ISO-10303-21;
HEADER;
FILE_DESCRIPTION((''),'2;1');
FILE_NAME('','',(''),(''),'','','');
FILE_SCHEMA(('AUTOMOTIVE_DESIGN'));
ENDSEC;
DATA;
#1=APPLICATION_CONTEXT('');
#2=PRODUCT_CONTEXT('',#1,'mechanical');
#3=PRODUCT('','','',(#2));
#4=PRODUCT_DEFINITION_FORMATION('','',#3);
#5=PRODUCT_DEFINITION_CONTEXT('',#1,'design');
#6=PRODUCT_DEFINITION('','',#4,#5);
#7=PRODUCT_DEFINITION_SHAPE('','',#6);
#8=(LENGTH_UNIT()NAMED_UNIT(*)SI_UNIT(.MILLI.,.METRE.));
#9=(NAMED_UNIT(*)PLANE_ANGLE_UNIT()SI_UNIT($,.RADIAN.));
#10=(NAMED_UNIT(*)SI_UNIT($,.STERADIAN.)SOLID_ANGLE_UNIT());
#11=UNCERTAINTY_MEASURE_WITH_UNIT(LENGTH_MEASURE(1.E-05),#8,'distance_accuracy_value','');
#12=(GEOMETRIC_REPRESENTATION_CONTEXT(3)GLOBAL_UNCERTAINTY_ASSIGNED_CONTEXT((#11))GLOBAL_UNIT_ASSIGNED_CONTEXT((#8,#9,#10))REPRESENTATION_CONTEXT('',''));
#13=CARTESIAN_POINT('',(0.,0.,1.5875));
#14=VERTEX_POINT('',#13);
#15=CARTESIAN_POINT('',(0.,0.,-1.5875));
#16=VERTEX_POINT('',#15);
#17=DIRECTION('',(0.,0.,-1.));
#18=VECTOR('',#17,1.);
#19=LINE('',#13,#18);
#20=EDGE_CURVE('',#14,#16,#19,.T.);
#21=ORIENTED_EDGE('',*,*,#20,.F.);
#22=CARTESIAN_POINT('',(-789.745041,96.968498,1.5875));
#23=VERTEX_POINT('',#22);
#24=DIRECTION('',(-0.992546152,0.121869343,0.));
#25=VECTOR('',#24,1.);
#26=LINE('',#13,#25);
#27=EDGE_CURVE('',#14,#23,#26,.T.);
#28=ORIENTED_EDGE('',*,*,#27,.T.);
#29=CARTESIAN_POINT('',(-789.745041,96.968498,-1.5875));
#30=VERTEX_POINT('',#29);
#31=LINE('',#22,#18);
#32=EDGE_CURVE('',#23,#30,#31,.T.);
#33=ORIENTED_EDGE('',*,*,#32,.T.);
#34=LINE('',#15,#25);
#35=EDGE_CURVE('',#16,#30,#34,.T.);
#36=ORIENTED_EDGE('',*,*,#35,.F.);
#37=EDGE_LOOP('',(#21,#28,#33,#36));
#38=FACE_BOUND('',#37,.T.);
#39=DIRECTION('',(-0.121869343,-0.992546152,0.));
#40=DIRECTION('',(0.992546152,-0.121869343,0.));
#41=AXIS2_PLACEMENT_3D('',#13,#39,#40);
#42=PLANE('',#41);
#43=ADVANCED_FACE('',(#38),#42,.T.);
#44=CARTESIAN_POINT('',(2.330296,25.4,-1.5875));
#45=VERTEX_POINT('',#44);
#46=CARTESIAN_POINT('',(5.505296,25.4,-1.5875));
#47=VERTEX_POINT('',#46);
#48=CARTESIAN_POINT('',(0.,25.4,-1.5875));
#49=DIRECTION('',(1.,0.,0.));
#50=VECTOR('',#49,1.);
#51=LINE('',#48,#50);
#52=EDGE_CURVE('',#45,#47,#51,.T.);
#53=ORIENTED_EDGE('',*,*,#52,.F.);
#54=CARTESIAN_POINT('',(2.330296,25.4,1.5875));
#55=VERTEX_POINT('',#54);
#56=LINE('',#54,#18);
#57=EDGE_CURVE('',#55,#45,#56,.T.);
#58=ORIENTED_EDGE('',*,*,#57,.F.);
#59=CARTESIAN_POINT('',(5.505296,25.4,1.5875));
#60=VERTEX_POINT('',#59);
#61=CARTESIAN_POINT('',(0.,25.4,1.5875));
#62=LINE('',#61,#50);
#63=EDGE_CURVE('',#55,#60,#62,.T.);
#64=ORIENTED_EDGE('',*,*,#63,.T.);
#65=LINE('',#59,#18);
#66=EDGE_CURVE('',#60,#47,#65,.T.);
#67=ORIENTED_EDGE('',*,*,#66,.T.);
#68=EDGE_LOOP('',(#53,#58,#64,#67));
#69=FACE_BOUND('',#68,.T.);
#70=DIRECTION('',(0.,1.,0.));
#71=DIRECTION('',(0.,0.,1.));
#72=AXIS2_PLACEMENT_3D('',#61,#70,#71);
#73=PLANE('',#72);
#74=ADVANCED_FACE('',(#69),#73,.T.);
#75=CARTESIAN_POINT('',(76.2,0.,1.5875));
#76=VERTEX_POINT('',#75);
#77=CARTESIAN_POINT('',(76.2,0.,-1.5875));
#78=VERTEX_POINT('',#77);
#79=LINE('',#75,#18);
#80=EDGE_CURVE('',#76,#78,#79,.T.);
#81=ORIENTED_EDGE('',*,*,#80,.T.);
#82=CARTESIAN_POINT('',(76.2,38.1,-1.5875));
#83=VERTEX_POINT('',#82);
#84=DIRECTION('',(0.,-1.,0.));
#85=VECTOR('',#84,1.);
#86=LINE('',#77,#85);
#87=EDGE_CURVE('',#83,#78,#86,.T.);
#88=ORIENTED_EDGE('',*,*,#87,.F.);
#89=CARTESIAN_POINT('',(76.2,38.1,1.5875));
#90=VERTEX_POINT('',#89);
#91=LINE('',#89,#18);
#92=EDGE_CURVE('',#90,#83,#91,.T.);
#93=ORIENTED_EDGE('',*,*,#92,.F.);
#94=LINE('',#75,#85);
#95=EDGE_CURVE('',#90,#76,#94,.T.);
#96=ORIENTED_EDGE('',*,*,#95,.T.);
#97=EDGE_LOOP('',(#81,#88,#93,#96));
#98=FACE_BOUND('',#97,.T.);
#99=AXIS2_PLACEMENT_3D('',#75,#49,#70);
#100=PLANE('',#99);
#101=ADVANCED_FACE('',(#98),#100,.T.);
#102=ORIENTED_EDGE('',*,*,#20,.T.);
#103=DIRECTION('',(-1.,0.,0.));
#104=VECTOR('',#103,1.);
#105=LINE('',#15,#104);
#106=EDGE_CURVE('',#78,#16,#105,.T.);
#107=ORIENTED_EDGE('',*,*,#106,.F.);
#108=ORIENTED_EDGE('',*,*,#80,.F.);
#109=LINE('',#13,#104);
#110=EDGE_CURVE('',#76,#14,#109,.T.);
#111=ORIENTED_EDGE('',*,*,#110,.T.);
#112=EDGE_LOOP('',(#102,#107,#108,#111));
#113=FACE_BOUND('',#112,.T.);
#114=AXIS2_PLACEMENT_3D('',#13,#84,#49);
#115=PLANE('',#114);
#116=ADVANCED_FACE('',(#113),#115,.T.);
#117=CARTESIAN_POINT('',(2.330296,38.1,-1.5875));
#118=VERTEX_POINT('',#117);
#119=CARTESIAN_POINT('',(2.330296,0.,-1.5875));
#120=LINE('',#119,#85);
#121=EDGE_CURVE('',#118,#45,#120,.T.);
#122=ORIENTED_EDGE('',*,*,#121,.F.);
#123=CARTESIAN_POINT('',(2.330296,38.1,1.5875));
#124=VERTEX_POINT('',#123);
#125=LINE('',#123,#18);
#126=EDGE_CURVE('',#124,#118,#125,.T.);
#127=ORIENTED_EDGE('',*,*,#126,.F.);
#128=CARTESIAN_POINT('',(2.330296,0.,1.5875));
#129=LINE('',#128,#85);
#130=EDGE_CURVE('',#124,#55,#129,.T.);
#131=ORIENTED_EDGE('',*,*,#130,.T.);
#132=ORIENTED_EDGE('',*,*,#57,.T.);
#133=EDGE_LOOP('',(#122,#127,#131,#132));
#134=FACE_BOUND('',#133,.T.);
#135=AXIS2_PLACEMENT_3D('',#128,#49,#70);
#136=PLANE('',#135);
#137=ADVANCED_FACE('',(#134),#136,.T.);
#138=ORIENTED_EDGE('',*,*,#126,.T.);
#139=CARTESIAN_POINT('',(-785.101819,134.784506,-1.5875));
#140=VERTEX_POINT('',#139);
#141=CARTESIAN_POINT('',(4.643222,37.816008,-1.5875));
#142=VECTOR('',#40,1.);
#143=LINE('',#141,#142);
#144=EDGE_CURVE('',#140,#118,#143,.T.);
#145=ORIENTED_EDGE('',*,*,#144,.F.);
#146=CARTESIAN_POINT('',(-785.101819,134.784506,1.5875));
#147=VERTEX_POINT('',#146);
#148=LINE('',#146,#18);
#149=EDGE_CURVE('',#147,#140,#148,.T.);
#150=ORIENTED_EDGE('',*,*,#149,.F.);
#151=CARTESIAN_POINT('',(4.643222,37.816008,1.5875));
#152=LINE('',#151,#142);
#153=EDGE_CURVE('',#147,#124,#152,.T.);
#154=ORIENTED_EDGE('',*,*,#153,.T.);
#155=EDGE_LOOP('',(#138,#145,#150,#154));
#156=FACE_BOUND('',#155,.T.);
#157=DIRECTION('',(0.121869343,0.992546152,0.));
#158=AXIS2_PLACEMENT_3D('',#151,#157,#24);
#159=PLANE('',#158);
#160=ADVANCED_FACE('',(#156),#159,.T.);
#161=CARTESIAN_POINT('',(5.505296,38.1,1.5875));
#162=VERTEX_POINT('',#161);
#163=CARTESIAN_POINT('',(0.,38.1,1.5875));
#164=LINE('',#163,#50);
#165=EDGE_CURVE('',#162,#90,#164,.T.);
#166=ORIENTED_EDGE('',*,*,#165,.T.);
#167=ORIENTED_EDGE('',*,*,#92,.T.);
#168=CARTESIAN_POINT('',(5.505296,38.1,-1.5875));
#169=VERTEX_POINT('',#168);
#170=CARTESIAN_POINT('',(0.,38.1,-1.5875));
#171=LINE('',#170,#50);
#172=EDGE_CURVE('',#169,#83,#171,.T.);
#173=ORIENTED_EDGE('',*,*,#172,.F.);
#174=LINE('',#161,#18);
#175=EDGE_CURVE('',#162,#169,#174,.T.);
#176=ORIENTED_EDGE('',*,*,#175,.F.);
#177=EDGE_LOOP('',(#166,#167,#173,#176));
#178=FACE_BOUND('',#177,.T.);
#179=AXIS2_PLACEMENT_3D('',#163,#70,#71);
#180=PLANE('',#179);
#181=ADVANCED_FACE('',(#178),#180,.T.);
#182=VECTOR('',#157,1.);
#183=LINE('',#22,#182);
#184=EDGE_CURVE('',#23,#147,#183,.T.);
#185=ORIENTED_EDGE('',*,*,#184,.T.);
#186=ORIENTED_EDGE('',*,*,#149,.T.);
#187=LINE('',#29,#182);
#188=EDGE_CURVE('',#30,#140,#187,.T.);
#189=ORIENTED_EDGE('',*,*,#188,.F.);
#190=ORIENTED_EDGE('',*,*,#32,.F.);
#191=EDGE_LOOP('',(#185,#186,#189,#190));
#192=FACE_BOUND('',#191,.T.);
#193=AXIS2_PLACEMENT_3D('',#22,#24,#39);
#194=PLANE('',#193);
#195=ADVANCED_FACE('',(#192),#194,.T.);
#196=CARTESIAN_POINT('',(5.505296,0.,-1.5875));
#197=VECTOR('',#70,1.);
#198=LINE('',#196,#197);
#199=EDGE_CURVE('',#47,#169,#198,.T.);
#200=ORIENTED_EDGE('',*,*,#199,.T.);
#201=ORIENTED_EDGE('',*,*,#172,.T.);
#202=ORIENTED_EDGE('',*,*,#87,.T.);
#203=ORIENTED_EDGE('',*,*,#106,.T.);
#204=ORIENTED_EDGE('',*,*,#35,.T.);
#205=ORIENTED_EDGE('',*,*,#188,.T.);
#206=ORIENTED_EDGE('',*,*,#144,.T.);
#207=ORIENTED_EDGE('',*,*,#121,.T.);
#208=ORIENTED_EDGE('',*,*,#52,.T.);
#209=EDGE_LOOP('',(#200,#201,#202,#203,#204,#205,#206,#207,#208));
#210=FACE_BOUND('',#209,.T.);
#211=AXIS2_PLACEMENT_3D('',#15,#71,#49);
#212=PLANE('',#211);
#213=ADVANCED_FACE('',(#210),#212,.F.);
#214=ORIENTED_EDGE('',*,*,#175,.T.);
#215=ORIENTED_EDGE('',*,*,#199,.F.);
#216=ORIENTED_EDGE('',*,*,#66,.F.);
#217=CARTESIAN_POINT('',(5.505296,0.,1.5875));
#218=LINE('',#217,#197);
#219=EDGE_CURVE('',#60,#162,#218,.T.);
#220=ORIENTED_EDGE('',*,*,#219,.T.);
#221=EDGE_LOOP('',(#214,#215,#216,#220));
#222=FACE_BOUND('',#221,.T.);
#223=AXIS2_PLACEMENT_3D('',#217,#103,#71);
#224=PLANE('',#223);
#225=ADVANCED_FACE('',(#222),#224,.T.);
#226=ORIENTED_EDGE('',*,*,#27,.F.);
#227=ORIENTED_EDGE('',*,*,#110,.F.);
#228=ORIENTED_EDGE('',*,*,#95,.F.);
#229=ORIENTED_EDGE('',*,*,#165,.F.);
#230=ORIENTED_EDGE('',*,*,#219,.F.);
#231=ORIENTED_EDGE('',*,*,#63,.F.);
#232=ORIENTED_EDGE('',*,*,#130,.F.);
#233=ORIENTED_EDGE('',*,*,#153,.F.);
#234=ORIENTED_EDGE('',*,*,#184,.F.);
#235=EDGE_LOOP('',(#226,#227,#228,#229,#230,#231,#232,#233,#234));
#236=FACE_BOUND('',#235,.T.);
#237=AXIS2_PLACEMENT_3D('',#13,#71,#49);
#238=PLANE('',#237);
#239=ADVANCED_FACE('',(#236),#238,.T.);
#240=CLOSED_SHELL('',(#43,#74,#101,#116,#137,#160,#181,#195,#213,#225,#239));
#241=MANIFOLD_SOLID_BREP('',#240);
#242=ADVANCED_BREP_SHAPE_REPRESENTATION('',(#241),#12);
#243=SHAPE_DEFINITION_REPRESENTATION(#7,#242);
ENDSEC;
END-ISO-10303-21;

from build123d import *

# Parameters (mm, degrees)
BOSS_EXTRUDE1_DEPTH = 1.5875


with BuildPart() as part:
    # Sketch1 → Boss-Extrude1 (new body, symmetric)
    with BuildSketch(Plane.XY):
        Polygon((-789.745040533, 96.968498027), (0, 0), (76.2, 0), (76.2, 38.1), (5.505295828, 38.1), (5.505295828, 25.4), (2.330295828, 25.4), (2.330295828, 38.1), (-785.101818549, 134.784506405), align=None)
    extrude(amount=BOSS_EXTRUDE1_DEPTH, both=True)


solid = part.part
